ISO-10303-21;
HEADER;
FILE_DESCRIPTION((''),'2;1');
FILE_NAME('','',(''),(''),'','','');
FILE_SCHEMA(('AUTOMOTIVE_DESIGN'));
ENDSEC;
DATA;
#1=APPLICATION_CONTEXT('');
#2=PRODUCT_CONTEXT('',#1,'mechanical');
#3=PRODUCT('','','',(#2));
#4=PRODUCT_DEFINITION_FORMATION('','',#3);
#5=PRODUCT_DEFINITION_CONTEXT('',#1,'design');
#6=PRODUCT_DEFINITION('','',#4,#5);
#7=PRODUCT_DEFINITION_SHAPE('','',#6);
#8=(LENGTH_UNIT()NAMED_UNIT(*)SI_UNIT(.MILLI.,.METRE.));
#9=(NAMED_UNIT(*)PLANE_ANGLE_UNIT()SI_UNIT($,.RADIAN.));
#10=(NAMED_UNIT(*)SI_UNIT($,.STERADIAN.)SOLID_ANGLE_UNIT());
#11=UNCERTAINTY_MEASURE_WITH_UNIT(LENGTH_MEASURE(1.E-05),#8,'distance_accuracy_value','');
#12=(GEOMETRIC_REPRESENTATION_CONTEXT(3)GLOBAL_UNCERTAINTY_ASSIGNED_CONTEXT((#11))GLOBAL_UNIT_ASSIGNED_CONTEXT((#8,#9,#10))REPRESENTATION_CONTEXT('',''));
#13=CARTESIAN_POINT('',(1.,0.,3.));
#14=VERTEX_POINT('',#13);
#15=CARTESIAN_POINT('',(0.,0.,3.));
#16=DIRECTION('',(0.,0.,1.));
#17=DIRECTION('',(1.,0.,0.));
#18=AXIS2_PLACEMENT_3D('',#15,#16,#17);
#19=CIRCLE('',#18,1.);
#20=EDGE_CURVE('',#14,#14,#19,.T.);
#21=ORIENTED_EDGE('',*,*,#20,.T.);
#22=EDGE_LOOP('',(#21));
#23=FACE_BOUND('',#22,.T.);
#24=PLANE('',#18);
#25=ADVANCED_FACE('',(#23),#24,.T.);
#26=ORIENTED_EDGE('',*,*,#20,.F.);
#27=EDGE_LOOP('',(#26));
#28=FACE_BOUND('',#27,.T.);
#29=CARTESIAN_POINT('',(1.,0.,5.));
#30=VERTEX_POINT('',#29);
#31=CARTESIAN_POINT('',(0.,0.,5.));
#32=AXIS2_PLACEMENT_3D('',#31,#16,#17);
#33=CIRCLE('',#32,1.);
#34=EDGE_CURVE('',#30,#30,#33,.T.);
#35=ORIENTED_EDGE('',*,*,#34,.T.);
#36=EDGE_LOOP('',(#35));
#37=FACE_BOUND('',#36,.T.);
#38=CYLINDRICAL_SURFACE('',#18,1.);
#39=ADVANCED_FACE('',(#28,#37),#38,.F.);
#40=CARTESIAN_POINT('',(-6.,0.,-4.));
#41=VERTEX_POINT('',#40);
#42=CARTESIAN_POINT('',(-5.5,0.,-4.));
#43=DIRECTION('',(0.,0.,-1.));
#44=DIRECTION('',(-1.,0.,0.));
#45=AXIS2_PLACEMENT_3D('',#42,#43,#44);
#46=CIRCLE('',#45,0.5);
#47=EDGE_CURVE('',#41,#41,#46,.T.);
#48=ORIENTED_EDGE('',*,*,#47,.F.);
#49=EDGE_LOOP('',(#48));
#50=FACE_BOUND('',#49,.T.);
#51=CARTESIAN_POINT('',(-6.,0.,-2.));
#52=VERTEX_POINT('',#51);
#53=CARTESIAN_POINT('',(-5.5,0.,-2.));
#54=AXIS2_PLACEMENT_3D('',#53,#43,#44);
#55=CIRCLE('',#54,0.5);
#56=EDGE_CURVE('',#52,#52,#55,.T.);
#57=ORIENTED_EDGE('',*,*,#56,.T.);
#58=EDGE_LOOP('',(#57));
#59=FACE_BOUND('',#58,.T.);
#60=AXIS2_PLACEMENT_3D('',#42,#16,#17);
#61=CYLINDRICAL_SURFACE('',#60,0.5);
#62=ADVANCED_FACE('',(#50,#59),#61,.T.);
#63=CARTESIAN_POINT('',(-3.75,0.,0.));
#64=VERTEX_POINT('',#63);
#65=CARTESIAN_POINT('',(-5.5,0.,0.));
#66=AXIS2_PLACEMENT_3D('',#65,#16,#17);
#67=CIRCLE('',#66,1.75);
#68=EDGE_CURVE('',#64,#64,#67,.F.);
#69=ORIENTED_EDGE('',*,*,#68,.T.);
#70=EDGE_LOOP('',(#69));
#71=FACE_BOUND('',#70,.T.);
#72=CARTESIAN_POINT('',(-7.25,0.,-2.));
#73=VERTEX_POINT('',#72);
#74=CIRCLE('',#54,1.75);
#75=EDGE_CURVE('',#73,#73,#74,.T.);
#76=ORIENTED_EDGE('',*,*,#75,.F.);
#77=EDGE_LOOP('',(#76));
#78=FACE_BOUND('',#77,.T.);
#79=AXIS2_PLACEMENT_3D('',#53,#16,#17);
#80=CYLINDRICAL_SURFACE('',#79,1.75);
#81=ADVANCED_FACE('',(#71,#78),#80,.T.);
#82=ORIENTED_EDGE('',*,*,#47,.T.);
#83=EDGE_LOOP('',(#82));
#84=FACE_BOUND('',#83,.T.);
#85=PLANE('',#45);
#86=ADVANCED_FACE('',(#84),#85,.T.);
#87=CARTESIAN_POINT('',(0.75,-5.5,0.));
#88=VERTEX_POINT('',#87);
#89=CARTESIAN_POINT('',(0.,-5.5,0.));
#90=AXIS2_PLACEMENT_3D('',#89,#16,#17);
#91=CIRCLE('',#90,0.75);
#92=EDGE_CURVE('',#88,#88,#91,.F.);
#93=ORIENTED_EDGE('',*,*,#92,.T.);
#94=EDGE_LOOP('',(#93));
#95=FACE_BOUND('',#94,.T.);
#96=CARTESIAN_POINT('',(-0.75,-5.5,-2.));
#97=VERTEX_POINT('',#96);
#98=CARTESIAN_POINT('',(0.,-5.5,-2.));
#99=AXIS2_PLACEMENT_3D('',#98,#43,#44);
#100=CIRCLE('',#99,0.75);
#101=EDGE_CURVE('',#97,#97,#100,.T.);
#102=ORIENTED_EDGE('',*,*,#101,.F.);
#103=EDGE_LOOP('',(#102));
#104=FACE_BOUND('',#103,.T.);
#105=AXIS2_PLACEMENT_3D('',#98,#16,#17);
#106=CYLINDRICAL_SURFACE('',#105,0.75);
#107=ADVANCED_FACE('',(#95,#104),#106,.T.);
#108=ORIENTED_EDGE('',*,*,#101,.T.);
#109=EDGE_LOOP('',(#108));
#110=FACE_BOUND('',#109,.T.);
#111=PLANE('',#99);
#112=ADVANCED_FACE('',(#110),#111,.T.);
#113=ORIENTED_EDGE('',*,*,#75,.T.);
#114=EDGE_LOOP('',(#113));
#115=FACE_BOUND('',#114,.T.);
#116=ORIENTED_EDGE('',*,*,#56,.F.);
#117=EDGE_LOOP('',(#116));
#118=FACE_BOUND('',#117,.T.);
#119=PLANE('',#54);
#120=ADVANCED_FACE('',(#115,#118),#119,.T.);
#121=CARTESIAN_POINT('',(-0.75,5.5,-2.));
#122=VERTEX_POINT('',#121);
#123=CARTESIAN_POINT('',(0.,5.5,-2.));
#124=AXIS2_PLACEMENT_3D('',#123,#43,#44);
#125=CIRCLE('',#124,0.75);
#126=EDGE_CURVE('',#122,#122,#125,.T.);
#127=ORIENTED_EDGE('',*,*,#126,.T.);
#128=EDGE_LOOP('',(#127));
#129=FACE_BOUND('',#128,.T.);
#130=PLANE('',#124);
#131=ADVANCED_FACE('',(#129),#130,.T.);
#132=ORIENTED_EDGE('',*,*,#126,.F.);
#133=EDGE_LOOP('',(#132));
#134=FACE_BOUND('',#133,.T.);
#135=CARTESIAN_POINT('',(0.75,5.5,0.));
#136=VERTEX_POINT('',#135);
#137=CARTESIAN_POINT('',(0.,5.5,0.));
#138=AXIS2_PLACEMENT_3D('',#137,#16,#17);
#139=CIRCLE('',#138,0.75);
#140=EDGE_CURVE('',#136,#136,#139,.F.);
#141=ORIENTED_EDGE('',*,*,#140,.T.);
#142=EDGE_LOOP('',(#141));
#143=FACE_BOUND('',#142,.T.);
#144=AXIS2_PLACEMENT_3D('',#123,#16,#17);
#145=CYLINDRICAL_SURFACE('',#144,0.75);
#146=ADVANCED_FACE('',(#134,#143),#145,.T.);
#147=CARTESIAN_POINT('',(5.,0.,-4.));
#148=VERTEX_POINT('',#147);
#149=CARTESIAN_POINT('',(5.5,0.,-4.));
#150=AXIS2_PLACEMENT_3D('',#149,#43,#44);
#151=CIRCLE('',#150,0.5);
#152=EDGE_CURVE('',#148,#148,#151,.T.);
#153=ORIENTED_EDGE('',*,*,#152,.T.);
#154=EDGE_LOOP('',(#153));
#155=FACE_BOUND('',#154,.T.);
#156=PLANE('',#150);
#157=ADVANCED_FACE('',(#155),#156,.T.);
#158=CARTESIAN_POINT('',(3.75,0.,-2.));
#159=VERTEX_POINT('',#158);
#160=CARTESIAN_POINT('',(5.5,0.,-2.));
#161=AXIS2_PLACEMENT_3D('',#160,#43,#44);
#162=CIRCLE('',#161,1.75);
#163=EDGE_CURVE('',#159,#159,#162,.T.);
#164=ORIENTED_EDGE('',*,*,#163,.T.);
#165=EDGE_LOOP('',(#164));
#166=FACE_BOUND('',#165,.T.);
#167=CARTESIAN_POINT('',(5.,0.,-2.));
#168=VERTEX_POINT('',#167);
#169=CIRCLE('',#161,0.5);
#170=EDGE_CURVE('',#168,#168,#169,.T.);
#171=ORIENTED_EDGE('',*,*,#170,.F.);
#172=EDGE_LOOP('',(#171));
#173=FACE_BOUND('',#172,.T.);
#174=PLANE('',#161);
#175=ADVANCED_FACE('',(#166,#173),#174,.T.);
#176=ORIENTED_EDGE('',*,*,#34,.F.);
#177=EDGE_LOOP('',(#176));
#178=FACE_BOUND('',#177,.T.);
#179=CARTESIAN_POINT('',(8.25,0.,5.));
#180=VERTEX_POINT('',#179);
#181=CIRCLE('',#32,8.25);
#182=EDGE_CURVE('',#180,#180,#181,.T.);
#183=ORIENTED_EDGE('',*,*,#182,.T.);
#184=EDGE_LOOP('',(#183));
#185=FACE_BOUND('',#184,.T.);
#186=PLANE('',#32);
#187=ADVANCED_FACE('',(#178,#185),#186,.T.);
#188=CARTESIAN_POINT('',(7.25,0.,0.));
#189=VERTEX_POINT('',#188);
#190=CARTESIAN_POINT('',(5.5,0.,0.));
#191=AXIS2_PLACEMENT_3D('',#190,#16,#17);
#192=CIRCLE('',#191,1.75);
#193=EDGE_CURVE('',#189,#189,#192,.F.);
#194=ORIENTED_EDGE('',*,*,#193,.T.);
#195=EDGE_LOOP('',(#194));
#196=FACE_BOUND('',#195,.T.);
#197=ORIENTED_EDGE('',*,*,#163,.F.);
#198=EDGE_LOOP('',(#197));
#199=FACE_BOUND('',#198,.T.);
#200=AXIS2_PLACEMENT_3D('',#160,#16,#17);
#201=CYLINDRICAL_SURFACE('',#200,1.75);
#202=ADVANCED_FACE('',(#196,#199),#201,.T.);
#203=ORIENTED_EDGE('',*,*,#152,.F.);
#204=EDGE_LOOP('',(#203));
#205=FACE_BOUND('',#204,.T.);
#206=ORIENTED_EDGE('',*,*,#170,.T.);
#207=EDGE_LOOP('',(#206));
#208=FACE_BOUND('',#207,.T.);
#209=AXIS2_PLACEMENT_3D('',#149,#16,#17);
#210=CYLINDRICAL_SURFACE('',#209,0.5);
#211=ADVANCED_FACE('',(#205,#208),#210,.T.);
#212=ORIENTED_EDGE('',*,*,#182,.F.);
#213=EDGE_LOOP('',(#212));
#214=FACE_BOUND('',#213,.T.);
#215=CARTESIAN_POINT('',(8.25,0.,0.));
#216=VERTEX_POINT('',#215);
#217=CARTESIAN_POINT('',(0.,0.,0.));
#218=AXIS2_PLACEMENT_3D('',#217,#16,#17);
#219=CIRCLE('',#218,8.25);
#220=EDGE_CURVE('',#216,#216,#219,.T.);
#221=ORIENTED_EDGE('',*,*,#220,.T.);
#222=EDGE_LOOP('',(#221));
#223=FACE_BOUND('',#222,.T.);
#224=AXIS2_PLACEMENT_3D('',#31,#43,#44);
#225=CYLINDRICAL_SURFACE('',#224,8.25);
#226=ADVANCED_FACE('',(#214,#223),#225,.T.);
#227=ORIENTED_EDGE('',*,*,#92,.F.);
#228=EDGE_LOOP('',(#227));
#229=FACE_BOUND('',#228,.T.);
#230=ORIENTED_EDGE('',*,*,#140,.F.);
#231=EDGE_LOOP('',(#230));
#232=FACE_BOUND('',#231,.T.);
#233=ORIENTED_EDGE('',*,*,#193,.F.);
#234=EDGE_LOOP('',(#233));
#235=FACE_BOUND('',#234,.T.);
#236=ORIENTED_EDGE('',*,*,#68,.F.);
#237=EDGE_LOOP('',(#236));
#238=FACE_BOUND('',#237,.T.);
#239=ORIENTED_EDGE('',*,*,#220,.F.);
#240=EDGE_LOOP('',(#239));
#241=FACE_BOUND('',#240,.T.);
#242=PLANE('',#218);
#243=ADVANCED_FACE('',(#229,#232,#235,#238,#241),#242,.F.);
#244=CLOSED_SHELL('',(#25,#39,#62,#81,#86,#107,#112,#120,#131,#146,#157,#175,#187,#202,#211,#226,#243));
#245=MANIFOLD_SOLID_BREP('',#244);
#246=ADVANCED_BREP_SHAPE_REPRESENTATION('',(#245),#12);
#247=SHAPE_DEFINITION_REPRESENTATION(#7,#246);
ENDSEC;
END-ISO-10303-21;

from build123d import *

# Parameters (mm, degrees)
SKETCH1_R           = 8.25
BOSS_EXTRUDE1_DEPTH = 5
SKETCH2_R           = 1
CUT_EXTRUDE1_DEPTH  = 2
SKETCH3_R           = 1.75
SKETCH3_R_2         = 0.75
BOSS_EXTRUDE2_DEPTH = 2
SKETCH4_R           = 0.5
BOSS_EXTRUDE3_DEPTH = 2


with BuildPart() as part:
    # Sketch1 → Boss-Extrude1 (new body)
    with BuildSketch(Plane.XY):
        Circle(SKETCH1_R)
    extrude(amount=BOSS_EXTRUDE1_DEPTH)

    # Sketch2 → Cut-Extrude1 (cut)
    with BuildSketch(Plane.XY.offset(5)):
        Circle(SKETCH2_R)
    extrude(amount=-CUT_EXTRUDE1_DEPTH, mode=Mode.SUBTRACT)

    # Sketch3 → Boss-Extrude2 (add)
    with BuildSketch(Plane(origin=(0, 0, 0), x_dir=(-1, 0, 0), z_dir=(0, 0, -1))):
        with Locations(Location((-5.5, 0, 0), (0, 0, 180))):
            Circle(SKETCH3_R)
        with Locations(Location((5.5, 0, 0), (0, 0, 180))):
            Circle(SKETCH3_R)
        with Locations(Location((0, 5.5, 0), (0, 0, 180))):
            Circle(SKETCH3_R_2)
        with Locations(Location((0, -5.5, 0), (0, 0, 180))):
            Circle(SKETCH3_R_2)
    extrude(amount=BOSS_EXTRUDE2_DEPTH)

    # Sketch4 → Boss-Extrude3 (add)
    with BuildSketch(Plane(origin=(0, 0, -2), x_dir=(-1, 0, 0), z_dir=(0, 0, -1))):
        with Locations((-5.5, 0)):
            Circle(SKETCH4_R)
        with Locations((5.5, 0)):
            Circle(SKETCH4_R)
    extrude(amount=BOSS_EXTRUDE3_DEPTH)


solid = part.part
